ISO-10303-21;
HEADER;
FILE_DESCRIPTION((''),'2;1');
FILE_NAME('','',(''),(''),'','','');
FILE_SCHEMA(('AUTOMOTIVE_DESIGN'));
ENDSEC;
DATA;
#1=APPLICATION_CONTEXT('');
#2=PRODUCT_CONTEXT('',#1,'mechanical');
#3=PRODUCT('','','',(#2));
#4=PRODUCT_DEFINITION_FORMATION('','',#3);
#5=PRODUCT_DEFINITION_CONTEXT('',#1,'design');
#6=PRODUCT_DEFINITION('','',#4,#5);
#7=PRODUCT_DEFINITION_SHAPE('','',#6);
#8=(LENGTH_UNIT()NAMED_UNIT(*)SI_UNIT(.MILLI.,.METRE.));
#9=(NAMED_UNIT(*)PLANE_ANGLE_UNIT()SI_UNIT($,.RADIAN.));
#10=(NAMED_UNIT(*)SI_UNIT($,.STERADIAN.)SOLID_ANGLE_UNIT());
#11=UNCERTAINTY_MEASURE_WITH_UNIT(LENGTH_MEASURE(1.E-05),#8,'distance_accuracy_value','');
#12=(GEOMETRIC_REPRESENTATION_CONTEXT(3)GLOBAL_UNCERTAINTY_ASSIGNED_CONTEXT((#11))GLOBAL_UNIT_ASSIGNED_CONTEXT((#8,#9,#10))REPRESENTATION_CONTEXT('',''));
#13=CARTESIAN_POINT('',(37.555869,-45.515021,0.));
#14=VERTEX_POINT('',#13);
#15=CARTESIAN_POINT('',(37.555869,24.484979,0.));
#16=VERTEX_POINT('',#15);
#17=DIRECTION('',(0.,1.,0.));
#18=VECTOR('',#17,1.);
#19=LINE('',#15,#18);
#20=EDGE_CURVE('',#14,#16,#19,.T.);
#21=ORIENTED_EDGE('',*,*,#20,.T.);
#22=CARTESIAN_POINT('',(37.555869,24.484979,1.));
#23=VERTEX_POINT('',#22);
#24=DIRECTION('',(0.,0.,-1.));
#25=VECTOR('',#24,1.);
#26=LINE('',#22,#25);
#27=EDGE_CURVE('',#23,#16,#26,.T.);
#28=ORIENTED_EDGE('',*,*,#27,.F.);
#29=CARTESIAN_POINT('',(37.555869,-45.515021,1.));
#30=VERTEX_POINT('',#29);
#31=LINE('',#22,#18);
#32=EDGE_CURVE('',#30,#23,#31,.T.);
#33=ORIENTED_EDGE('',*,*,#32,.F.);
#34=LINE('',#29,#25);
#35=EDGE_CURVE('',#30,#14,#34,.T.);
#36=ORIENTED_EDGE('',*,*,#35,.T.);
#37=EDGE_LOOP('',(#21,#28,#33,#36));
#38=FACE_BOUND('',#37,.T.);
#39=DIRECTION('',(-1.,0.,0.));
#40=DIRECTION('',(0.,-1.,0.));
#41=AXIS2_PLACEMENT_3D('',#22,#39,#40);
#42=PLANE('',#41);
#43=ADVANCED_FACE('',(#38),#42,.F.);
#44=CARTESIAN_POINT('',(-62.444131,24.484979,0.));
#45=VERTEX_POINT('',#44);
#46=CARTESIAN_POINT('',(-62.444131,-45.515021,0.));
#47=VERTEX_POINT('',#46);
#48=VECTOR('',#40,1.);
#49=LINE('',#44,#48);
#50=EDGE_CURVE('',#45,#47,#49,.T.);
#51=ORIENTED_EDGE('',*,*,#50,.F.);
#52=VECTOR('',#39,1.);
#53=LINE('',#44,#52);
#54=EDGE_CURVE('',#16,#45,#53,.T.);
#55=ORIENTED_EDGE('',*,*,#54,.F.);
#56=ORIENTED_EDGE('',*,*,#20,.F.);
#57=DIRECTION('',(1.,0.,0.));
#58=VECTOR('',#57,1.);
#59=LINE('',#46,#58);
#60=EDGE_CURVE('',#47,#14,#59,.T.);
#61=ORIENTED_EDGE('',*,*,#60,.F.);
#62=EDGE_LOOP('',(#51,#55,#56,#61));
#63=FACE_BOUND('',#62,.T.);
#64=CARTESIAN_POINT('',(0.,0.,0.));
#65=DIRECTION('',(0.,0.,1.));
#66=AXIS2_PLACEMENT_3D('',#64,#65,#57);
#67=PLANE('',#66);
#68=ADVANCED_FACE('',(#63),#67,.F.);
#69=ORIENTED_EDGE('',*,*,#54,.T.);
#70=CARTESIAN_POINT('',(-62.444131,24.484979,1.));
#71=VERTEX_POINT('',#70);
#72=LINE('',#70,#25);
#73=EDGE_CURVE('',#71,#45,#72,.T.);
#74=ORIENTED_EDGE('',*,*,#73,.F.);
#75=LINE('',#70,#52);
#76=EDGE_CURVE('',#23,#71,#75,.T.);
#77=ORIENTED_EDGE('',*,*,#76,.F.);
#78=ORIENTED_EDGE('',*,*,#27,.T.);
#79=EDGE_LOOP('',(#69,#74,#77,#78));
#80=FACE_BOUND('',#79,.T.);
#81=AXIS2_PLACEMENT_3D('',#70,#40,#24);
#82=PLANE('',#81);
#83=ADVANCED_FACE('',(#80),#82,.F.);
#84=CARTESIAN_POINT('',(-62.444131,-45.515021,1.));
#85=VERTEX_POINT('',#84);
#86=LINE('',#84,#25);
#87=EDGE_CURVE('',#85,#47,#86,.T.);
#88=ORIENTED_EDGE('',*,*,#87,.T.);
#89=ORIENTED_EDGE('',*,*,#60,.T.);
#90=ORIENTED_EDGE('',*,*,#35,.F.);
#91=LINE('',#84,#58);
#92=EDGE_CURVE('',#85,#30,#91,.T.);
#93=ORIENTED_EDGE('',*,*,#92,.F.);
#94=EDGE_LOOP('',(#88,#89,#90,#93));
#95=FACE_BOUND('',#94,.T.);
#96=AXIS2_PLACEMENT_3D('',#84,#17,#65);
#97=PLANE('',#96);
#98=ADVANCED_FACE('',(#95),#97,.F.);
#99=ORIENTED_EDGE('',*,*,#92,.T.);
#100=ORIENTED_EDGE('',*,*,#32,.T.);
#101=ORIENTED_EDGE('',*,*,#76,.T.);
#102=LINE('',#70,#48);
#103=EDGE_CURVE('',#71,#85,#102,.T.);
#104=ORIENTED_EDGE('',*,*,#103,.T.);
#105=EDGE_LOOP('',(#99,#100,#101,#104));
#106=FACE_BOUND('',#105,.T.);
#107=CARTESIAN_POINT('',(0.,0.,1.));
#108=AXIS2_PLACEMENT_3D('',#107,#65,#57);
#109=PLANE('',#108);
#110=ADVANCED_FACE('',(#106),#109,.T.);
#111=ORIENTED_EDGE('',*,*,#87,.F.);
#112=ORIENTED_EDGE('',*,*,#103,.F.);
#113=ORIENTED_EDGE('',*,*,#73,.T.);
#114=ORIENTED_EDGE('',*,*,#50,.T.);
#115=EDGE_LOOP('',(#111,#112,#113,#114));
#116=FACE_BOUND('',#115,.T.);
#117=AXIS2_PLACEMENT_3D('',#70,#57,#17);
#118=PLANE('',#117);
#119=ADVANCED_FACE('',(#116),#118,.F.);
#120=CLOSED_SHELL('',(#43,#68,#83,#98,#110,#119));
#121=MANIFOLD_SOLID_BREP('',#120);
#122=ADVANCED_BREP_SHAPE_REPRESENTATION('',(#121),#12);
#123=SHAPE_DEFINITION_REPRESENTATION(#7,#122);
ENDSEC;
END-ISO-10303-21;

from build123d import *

# Parameters (mm, degrees)
CROQUIS1_W              = 100
CROQUIS1_H              = 70
SALIENTE_EXTRUIR1_DEPTH = 1


with BuildPart() as part:
    # Croquis1 → Saliente-Extruir1 (new body)
    with BuildSketch(Plane.XY):
        with Locations((-12.444130776, -10.515021459)):
            Rectangle(CROQUIS1_W, CROQUIS1_H)
    extrude(amount=SALIENTE_EXTRUIR1_DEPTH)


solid = part.part
